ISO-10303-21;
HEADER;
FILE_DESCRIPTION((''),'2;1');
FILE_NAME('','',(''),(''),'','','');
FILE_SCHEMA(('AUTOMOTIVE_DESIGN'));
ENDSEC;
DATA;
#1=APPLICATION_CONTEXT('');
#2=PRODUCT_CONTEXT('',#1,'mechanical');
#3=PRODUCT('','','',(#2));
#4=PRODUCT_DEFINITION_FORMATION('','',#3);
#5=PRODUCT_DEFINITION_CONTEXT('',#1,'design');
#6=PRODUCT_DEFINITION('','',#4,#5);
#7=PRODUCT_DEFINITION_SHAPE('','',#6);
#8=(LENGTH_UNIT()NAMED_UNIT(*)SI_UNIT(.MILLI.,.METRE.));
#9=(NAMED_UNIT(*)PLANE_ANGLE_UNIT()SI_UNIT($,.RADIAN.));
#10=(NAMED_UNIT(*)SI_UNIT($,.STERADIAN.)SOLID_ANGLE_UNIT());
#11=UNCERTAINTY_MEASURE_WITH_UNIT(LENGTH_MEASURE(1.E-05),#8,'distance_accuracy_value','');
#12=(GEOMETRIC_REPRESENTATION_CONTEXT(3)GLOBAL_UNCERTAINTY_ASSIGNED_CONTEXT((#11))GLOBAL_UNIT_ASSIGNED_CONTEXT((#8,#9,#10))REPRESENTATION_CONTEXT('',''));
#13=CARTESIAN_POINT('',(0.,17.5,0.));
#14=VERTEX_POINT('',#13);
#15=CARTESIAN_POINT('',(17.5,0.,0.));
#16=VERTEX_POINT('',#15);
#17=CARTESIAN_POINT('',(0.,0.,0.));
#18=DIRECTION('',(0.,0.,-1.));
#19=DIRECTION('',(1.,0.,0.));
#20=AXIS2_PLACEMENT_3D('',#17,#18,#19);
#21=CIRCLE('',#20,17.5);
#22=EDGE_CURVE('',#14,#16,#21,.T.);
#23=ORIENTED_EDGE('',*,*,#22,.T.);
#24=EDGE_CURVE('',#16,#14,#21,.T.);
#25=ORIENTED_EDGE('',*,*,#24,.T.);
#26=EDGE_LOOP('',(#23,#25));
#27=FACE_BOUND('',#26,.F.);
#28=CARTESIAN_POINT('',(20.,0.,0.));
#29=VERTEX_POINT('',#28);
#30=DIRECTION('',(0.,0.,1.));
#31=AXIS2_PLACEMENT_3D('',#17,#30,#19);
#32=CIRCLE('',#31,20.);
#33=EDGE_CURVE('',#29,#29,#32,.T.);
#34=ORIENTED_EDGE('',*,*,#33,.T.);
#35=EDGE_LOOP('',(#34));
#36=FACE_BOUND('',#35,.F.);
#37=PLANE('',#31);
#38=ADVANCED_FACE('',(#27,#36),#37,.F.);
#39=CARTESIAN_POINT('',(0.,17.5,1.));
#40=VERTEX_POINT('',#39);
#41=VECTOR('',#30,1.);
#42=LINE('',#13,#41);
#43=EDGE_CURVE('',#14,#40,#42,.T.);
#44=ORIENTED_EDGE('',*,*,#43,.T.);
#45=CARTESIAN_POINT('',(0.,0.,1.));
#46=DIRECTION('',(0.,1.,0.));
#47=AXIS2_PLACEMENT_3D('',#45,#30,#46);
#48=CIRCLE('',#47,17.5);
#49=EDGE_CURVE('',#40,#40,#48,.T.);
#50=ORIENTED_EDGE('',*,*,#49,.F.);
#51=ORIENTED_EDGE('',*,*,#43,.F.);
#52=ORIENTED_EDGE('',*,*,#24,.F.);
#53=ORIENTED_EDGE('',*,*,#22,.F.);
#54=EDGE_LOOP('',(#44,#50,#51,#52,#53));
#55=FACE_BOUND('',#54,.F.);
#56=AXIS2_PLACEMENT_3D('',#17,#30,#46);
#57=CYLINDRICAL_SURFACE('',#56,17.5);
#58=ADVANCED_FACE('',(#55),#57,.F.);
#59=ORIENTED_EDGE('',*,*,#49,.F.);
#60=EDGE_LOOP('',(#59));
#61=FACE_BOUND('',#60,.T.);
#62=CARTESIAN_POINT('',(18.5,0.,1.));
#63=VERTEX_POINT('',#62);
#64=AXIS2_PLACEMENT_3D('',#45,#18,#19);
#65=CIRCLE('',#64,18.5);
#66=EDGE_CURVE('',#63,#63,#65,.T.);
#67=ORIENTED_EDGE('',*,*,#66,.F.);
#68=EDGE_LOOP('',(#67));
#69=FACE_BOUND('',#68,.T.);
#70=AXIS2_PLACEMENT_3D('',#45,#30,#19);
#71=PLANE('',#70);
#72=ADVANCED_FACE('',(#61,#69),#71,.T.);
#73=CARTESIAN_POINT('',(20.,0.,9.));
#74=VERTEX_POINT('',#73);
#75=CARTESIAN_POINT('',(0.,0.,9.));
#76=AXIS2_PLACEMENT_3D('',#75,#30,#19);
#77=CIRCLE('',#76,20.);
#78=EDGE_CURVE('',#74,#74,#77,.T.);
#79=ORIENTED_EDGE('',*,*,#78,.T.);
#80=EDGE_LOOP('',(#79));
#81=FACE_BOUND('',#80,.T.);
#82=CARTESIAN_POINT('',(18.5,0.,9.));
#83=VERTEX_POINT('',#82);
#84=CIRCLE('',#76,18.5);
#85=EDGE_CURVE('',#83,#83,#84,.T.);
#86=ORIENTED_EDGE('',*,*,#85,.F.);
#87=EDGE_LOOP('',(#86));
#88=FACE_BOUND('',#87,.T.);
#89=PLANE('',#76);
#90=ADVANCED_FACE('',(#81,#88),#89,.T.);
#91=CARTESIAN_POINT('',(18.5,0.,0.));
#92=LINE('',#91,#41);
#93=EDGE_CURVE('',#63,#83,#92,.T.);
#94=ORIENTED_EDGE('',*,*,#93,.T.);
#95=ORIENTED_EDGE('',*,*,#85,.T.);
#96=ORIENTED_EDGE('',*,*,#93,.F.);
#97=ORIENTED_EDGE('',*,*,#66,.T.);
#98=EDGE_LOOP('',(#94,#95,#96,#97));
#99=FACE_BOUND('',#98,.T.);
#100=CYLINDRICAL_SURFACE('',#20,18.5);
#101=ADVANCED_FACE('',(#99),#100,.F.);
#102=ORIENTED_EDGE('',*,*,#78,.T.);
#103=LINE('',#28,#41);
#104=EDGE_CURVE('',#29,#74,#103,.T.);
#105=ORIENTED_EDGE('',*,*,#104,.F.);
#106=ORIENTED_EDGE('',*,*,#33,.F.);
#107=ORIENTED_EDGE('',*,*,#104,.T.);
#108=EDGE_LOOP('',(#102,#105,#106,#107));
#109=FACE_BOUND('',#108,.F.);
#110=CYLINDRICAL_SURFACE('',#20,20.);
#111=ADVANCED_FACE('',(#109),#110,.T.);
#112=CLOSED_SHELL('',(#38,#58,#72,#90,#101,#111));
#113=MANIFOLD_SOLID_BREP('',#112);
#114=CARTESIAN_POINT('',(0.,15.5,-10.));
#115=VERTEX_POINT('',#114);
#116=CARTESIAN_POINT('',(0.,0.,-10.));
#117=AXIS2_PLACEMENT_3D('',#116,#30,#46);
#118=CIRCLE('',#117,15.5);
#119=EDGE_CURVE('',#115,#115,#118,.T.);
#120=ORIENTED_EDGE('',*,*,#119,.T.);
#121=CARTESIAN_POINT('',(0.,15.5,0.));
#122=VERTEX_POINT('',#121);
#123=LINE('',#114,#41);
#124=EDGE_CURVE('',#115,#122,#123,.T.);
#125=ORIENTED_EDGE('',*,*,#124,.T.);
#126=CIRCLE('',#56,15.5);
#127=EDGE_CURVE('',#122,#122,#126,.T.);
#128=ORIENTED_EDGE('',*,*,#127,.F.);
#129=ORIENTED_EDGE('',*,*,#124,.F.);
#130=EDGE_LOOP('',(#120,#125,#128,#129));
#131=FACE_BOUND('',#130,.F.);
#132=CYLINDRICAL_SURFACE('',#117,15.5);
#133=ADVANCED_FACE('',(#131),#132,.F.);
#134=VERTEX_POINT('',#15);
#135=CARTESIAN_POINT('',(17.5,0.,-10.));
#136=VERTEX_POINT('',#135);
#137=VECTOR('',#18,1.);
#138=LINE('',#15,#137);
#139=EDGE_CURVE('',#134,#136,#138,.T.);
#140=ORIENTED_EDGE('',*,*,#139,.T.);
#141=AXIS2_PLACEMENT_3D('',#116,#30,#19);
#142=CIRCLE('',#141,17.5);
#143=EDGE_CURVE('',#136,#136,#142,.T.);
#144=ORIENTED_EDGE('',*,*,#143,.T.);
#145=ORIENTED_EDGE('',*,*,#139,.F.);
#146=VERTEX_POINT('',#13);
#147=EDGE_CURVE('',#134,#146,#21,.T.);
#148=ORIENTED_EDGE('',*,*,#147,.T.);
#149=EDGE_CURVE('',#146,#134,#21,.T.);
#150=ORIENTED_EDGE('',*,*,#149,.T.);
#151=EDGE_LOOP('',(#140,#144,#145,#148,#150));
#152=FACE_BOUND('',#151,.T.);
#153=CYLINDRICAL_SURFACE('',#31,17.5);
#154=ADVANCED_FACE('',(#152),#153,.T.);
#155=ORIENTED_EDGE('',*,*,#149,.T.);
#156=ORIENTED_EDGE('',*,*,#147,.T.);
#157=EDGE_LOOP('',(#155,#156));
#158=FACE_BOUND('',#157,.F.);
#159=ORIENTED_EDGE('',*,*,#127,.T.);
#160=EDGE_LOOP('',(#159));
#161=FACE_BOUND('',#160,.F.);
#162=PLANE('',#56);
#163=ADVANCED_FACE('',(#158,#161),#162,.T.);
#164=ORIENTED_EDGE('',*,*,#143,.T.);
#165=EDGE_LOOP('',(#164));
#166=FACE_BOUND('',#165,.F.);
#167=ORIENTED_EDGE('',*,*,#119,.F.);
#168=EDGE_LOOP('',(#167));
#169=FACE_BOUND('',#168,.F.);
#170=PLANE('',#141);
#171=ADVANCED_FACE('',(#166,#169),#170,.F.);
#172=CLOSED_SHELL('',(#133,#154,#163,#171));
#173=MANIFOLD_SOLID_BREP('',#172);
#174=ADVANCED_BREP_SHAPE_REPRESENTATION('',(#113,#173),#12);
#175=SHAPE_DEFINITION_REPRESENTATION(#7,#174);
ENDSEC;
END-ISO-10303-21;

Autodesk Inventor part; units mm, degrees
ref_plane "YZ Plane" through (0, 0, 0) normal (1, 0, 0) x (0, 1, 0)
ref_plane "XZ Plane" through (0, 0, 0) normal (0, 1, 0) x (-1, 0, 0)
ref_plane "XY Plane" through (0, 0, 0) normal (0, 0, 1) x (1, 0, 0)
sketch "Sketch1" plane through (0, 0, 0) normal (0, 0, 1) x (1, 0, 0)
  circle A0 centre (0, 0) radius 20
  circle A1 centre (0, 0) radius 18.5
  line L0 (-18.5, 0) -> (18.5, 0)
  circle A2 centre (0, 0) radius 17.5
  dimension "d8" = 40
  dimension "d9" = 35
extrude "Extrusion1" add sketch "Sketch1" along normal blind 9
extrude "Extrusion2" add sketch "Sketch1" against normal blind 10 contours A2 L0 | L0 A2
sketch "Sketch2" plane through (0, 0, -10) normal (0, 0, -1) x (-1, 0, 0)
  point P0 (0, 0)
  point P1 (0, 0)
hole "Hole1" at (0, 0, -10) direction (0, 0, 1) diameter 31 depth 10.25
thread "Thread2" size "M35x1.5" class "6g" standard "ANSI Metric M Profile" full length
extrude "Extrusion3" add sketch "Sketch1" along normal blind 1 contours L0 A2 A1 | A1 L0 A2 | A2 L0 | L0 A2
sketch "Sketch3" plane through (0, 0, 0) normal (0, 0, -1) x (-1, 0, 0)
  point P0 (0, 0)
  point P1 (0, 0)
hole "Hole2" at (0, 0, 0) direction (0, 0, 1) diameter 35 depth 30
sketch "Sketch4" plane through (0, 0, 0) normal (1, 0, 0) x (0, 1, 0)
  point P0 (0, 0)
properties part number "kaca lampu" material "Aluminum 6061-AHC"
